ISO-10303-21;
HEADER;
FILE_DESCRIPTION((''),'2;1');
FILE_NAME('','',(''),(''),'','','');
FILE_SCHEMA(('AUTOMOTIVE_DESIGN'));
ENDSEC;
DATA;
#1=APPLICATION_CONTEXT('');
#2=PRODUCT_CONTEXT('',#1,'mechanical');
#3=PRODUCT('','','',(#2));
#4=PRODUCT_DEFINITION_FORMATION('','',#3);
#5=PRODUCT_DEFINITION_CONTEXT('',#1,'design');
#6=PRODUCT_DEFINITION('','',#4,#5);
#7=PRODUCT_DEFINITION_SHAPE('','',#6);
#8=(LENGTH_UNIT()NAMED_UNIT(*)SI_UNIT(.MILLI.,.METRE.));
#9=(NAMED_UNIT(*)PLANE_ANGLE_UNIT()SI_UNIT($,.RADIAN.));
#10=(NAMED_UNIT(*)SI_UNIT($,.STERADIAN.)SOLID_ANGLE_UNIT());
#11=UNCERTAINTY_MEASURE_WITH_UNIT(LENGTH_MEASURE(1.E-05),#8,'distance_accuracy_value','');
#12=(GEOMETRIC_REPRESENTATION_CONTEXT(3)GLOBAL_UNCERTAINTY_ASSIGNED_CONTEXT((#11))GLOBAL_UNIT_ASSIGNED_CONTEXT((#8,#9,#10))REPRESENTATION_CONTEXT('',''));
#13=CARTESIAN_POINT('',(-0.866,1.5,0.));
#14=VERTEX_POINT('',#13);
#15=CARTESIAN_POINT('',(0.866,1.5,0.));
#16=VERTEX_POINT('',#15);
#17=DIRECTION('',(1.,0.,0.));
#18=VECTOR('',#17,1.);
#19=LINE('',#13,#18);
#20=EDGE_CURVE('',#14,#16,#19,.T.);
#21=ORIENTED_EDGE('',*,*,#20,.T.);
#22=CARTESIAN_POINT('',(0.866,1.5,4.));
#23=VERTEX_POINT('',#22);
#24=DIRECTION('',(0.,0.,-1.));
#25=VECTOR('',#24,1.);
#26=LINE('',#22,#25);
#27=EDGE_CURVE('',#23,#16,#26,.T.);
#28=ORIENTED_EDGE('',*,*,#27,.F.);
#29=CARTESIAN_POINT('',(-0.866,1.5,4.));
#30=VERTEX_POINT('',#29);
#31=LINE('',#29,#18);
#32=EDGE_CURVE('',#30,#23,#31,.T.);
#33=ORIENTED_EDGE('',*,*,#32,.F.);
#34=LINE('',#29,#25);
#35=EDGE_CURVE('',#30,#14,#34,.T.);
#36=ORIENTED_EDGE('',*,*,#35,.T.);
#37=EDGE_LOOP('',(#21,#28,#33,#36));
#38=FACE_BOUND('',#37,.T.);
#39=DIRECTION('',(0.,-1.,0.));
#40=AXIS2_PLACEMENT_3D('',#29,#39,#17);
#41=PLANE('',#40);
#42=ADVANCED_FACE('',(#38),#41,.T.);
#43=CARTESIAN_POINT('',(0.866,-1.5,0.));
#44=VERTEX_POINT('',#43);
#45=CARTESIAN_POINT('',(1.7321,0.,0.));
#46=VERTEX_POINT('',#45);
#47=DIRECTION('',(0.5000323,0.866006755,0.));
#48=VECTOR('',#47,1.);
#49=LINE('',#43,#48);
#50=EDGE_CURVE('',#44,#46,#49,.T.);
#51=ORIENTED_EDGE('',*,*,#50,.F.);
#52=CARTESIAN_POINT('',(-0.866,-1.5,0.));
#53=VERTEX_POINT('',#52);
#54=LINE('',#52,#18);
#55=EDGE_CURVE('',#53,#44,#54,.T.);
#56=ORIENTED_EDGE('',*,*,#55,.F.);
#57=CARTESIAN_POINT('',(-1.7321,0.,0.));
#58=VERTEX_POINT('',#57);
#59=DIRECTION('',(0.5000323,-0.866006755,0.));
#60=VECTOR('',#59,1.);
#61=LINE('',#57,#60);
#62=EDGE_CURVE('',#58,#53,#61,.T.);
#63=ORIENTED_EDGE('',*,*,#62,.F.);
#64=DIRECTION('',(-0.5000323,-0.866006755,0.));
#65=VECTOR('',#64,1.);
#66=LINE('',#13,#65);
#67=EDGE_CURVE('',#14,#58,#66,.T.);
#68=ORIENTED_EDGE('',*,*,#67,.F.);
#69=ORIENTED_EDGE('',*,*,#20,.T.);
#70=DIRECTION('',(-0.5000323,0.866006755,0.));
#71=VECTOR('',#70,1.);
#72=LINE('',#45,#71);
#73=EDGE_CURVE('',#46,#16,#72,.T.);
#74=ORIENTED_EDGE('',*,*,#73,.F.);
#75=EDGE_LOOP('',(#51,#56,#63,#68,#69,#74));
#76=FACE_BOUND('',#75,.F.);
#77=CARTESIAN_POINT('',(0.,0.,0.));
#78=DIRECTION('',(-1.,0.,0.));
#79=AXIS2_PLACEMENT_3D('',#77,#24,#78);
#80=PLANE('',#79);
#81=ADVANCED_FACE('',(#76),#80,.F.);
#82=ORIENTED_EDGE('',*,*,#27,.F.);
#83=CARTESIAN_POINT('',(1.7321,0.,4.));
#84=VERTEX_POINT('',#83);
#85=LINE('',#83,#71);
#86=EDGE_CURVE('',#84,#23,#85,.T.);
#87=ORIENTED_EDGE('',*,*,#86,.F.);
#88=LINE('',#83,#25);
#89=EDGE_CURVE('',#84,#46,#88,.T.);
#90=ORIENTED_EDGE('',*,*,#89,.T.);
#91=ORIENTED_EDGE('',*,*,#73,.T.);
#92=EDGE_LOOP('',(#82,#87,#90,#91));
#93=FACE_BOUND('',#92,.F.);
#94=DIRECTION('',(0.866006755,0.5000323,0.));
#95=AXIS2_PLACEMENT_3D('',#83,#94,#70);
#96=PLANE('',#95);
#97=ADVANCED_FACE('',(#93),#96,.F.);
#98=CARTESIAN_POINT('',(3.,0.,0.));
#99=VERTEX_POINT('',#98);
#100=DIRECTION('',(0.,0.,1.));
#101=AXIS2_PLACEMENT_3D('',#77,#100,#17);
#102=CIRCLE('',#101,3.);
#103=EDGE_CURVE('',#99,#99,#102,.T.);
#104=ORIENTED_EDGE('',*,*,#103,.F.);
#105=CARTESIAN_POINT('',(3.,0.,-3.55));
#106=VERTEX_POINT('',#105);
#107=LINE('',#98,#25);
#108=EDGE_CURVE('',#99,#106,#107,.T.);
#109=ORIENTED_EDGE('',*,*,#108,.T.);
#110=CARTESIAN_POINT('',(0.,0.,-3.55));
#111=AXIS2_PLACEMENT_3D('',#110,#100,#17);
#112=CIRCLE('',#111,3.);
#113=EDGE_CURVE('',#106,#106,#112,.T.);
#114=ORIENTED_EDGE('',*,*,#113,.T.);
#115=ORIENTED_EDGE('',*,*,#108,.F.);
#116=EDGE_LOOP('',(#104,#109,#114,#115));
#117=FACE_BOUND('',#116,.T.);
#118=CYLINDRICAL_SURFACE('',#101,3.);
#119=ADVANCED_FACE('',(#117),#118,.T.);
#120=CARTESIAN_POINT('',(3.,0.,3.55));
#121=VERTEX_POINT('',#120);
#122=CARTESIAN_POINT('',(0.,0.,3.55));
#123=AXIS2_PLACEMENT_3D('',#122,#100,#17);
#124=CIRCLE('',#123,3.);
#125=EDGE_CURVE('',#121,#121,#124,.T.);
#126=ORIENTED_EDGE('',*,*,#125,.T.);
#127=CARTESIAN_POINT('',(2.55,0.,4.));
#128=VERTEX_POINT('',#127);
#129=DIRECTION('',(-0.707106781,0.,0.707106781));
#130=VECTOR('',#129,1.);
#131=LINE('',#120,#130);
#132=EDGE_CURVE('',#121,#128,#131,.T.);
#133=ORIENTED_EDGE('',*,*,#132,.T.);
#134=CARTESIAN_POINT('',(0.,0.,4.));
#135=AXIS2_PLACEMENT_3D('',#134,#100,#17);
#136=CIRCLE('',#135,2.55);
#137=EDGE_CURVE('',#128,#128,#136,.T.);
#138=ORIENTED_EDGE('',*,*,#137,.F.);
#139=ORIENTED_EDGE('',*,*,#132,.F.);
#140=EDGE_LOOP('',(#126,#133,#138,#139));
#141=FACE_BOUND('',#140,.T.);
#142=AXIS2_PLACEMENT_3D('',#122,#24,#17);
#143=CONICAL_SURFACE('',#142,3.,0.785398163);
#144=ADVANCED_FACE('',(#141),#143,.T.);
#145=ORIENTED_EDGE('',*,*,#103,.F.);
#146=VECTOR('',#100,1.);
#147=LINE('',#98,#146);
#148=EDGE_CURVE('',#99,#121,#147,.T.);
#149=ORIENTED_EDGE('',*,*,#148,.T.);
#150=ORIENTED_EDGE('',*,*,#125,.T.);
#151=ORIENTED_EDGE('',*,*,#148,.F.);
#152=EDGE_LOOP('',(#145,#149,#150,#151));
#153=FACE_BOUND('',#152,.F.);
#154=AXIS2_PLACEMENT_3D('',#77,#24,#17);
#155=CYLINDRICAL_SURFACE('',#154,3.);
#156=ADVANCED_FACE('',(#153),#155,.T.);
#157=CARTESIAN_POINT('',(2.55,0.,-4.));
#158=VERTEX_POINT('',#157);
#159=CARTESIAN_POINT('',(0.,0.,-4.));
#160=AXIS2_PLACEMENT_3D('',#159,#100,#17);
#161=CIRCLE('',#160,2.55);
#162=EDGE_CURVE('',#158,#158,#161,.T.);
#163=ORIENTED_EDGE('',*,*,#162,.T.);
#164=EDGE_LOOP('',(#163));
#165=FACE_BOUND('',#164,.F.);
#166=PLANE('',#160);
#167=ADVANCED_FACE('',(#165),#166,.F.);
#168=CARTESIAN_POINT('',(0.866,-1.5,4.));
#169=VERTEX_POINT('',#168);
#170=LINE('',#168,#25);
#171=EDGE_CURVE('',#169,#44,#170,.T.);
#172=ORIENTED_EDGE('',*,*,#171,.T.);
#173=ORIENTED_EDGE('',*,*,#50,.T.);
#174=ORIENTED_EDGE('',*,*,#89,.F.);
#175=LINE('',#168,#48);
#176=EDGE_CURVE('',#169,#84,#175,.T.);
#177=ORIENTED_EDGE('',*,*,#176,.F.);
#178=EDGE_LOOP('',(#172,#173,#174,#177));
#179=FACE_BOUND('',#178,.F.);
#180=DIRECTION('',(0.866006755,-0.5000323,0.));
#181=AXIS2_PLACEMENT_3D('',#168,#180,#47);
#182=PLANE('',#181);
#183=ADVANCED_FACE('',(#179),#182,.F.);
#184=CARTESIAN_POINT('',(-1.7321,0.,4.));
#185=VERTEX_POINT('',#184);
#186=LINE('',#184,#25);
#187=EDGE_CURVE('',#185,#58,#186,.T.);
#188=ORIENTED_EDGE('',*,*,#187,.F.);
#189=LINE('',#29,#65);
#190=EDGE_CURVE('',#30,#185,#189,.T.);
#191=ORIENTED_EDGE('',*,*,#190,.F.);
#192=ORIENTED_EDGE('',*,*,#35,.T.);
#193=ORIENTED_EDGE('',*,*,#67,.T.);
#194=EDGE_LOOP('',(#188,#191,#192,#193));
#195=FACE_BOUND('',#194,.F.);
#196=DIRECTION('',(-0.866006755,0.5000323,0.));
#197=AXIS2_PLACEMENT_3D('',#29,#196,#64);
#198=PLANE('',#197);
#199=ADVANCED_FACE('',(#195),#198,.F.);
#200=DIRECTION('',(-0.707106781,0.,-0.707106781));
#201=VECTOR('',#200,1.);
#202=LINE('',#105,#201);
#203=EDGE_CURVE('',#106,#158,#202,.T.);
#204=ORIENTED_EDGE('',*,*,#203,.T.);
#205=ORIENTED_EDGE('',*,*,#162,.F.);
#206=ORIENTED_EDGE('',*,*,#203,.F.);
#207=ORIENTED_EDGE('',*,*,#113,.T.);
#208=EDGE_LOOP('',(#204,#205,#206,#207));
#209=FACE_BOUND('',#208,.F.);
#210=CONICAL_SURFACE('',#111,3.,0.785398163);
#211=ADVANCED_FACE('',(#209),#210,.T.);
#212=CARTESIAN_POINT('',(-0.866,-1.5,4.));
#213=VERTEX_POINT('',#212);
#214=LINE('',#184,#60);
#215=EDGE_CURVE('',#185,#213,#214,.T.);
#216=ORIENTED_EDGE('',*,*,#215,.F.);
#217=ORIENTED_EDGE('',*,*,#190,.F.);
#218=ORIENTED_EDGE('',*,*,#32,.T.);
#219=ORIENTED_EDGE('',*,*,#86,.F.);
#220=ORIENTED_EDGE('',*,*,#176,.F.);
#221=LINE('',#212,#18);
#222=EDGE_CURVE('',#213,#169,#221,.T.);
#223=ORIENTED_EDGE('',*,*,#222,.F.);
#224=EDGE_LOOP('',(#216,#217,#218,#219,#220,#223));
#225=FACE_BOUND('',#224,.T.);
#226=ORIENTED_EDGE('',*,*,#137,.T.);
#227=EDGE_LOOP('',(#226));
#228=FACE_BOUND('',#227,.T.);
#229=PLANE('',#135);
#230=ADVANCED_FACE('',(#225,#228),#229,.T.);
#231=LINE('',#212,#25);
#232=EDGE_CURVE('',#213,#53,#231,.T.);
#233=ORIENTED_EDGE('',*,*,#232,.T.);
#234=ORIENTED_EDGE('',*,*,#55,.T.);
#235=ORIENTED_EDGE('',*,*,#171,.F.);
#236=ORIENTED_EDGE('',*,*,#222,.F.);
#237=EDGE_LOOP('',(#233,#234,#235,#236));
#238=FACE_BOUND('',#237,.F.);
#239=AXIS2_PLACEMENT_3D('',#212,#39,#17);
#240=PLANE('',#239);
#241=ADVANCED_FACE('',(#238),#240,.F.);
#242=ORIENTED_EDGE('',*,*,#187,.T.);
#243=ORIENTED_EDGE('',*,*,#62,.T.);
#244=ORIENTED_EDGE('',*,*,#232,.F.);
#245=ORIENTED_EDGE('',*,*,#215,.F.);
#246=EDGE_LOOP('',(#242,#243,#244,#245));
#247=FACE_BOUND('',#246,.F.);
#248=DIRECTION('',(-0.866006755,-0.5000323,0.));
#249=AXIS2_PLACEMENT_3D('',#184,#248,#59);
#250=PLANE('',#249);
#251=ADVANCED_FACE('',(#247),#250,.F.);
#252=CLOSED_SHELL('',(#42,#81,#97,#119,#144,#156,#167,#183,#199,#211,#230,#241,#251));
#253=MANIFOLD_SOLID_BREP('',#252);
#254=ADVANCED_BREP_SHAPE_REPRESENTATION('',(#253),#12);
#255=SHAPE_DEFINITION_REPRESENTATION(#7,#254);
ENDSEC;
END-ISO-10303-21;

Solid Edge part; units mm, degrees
sketch "Sketch1" plane through (0, 0, 0) normal (0, 0, 1) x (1, 0, 0)
  circle A0 centre (0, 0) radius 3
  dimension "D1" = 6
extrude "Protrusion1" add sketch "Sketch1" along normal mid plane 8
chamfer "Chamfer1" distance 0.45 angle 45 2 edges at (-3, 0, -4) (-3, 0, 4)
sketch "Sketch2" plane through (0, 0, 4) normal (0, 0, 1) x (1, 0, 0)
  line L0 (-0.866, 1.5) -> (0.866, 1.5)
  line L1 (1.7321, 0) -> (0.866, 1.5)
  line L2 (0.866, -1.5) -> (1.7321, 0)
  line L3 (-0.866, -1.5) -> (0.866, -1.5)
  line L4 (-1.7321, 0) -> (-0.866, -1.5)
  line L5 (-0.866, 1.5) -> (-1.7321, 0)
  dimension "D1" = 3
extrude "Cutout1" cut sketch "Sketch2" against normal blind 4
properties part number "24104863"
